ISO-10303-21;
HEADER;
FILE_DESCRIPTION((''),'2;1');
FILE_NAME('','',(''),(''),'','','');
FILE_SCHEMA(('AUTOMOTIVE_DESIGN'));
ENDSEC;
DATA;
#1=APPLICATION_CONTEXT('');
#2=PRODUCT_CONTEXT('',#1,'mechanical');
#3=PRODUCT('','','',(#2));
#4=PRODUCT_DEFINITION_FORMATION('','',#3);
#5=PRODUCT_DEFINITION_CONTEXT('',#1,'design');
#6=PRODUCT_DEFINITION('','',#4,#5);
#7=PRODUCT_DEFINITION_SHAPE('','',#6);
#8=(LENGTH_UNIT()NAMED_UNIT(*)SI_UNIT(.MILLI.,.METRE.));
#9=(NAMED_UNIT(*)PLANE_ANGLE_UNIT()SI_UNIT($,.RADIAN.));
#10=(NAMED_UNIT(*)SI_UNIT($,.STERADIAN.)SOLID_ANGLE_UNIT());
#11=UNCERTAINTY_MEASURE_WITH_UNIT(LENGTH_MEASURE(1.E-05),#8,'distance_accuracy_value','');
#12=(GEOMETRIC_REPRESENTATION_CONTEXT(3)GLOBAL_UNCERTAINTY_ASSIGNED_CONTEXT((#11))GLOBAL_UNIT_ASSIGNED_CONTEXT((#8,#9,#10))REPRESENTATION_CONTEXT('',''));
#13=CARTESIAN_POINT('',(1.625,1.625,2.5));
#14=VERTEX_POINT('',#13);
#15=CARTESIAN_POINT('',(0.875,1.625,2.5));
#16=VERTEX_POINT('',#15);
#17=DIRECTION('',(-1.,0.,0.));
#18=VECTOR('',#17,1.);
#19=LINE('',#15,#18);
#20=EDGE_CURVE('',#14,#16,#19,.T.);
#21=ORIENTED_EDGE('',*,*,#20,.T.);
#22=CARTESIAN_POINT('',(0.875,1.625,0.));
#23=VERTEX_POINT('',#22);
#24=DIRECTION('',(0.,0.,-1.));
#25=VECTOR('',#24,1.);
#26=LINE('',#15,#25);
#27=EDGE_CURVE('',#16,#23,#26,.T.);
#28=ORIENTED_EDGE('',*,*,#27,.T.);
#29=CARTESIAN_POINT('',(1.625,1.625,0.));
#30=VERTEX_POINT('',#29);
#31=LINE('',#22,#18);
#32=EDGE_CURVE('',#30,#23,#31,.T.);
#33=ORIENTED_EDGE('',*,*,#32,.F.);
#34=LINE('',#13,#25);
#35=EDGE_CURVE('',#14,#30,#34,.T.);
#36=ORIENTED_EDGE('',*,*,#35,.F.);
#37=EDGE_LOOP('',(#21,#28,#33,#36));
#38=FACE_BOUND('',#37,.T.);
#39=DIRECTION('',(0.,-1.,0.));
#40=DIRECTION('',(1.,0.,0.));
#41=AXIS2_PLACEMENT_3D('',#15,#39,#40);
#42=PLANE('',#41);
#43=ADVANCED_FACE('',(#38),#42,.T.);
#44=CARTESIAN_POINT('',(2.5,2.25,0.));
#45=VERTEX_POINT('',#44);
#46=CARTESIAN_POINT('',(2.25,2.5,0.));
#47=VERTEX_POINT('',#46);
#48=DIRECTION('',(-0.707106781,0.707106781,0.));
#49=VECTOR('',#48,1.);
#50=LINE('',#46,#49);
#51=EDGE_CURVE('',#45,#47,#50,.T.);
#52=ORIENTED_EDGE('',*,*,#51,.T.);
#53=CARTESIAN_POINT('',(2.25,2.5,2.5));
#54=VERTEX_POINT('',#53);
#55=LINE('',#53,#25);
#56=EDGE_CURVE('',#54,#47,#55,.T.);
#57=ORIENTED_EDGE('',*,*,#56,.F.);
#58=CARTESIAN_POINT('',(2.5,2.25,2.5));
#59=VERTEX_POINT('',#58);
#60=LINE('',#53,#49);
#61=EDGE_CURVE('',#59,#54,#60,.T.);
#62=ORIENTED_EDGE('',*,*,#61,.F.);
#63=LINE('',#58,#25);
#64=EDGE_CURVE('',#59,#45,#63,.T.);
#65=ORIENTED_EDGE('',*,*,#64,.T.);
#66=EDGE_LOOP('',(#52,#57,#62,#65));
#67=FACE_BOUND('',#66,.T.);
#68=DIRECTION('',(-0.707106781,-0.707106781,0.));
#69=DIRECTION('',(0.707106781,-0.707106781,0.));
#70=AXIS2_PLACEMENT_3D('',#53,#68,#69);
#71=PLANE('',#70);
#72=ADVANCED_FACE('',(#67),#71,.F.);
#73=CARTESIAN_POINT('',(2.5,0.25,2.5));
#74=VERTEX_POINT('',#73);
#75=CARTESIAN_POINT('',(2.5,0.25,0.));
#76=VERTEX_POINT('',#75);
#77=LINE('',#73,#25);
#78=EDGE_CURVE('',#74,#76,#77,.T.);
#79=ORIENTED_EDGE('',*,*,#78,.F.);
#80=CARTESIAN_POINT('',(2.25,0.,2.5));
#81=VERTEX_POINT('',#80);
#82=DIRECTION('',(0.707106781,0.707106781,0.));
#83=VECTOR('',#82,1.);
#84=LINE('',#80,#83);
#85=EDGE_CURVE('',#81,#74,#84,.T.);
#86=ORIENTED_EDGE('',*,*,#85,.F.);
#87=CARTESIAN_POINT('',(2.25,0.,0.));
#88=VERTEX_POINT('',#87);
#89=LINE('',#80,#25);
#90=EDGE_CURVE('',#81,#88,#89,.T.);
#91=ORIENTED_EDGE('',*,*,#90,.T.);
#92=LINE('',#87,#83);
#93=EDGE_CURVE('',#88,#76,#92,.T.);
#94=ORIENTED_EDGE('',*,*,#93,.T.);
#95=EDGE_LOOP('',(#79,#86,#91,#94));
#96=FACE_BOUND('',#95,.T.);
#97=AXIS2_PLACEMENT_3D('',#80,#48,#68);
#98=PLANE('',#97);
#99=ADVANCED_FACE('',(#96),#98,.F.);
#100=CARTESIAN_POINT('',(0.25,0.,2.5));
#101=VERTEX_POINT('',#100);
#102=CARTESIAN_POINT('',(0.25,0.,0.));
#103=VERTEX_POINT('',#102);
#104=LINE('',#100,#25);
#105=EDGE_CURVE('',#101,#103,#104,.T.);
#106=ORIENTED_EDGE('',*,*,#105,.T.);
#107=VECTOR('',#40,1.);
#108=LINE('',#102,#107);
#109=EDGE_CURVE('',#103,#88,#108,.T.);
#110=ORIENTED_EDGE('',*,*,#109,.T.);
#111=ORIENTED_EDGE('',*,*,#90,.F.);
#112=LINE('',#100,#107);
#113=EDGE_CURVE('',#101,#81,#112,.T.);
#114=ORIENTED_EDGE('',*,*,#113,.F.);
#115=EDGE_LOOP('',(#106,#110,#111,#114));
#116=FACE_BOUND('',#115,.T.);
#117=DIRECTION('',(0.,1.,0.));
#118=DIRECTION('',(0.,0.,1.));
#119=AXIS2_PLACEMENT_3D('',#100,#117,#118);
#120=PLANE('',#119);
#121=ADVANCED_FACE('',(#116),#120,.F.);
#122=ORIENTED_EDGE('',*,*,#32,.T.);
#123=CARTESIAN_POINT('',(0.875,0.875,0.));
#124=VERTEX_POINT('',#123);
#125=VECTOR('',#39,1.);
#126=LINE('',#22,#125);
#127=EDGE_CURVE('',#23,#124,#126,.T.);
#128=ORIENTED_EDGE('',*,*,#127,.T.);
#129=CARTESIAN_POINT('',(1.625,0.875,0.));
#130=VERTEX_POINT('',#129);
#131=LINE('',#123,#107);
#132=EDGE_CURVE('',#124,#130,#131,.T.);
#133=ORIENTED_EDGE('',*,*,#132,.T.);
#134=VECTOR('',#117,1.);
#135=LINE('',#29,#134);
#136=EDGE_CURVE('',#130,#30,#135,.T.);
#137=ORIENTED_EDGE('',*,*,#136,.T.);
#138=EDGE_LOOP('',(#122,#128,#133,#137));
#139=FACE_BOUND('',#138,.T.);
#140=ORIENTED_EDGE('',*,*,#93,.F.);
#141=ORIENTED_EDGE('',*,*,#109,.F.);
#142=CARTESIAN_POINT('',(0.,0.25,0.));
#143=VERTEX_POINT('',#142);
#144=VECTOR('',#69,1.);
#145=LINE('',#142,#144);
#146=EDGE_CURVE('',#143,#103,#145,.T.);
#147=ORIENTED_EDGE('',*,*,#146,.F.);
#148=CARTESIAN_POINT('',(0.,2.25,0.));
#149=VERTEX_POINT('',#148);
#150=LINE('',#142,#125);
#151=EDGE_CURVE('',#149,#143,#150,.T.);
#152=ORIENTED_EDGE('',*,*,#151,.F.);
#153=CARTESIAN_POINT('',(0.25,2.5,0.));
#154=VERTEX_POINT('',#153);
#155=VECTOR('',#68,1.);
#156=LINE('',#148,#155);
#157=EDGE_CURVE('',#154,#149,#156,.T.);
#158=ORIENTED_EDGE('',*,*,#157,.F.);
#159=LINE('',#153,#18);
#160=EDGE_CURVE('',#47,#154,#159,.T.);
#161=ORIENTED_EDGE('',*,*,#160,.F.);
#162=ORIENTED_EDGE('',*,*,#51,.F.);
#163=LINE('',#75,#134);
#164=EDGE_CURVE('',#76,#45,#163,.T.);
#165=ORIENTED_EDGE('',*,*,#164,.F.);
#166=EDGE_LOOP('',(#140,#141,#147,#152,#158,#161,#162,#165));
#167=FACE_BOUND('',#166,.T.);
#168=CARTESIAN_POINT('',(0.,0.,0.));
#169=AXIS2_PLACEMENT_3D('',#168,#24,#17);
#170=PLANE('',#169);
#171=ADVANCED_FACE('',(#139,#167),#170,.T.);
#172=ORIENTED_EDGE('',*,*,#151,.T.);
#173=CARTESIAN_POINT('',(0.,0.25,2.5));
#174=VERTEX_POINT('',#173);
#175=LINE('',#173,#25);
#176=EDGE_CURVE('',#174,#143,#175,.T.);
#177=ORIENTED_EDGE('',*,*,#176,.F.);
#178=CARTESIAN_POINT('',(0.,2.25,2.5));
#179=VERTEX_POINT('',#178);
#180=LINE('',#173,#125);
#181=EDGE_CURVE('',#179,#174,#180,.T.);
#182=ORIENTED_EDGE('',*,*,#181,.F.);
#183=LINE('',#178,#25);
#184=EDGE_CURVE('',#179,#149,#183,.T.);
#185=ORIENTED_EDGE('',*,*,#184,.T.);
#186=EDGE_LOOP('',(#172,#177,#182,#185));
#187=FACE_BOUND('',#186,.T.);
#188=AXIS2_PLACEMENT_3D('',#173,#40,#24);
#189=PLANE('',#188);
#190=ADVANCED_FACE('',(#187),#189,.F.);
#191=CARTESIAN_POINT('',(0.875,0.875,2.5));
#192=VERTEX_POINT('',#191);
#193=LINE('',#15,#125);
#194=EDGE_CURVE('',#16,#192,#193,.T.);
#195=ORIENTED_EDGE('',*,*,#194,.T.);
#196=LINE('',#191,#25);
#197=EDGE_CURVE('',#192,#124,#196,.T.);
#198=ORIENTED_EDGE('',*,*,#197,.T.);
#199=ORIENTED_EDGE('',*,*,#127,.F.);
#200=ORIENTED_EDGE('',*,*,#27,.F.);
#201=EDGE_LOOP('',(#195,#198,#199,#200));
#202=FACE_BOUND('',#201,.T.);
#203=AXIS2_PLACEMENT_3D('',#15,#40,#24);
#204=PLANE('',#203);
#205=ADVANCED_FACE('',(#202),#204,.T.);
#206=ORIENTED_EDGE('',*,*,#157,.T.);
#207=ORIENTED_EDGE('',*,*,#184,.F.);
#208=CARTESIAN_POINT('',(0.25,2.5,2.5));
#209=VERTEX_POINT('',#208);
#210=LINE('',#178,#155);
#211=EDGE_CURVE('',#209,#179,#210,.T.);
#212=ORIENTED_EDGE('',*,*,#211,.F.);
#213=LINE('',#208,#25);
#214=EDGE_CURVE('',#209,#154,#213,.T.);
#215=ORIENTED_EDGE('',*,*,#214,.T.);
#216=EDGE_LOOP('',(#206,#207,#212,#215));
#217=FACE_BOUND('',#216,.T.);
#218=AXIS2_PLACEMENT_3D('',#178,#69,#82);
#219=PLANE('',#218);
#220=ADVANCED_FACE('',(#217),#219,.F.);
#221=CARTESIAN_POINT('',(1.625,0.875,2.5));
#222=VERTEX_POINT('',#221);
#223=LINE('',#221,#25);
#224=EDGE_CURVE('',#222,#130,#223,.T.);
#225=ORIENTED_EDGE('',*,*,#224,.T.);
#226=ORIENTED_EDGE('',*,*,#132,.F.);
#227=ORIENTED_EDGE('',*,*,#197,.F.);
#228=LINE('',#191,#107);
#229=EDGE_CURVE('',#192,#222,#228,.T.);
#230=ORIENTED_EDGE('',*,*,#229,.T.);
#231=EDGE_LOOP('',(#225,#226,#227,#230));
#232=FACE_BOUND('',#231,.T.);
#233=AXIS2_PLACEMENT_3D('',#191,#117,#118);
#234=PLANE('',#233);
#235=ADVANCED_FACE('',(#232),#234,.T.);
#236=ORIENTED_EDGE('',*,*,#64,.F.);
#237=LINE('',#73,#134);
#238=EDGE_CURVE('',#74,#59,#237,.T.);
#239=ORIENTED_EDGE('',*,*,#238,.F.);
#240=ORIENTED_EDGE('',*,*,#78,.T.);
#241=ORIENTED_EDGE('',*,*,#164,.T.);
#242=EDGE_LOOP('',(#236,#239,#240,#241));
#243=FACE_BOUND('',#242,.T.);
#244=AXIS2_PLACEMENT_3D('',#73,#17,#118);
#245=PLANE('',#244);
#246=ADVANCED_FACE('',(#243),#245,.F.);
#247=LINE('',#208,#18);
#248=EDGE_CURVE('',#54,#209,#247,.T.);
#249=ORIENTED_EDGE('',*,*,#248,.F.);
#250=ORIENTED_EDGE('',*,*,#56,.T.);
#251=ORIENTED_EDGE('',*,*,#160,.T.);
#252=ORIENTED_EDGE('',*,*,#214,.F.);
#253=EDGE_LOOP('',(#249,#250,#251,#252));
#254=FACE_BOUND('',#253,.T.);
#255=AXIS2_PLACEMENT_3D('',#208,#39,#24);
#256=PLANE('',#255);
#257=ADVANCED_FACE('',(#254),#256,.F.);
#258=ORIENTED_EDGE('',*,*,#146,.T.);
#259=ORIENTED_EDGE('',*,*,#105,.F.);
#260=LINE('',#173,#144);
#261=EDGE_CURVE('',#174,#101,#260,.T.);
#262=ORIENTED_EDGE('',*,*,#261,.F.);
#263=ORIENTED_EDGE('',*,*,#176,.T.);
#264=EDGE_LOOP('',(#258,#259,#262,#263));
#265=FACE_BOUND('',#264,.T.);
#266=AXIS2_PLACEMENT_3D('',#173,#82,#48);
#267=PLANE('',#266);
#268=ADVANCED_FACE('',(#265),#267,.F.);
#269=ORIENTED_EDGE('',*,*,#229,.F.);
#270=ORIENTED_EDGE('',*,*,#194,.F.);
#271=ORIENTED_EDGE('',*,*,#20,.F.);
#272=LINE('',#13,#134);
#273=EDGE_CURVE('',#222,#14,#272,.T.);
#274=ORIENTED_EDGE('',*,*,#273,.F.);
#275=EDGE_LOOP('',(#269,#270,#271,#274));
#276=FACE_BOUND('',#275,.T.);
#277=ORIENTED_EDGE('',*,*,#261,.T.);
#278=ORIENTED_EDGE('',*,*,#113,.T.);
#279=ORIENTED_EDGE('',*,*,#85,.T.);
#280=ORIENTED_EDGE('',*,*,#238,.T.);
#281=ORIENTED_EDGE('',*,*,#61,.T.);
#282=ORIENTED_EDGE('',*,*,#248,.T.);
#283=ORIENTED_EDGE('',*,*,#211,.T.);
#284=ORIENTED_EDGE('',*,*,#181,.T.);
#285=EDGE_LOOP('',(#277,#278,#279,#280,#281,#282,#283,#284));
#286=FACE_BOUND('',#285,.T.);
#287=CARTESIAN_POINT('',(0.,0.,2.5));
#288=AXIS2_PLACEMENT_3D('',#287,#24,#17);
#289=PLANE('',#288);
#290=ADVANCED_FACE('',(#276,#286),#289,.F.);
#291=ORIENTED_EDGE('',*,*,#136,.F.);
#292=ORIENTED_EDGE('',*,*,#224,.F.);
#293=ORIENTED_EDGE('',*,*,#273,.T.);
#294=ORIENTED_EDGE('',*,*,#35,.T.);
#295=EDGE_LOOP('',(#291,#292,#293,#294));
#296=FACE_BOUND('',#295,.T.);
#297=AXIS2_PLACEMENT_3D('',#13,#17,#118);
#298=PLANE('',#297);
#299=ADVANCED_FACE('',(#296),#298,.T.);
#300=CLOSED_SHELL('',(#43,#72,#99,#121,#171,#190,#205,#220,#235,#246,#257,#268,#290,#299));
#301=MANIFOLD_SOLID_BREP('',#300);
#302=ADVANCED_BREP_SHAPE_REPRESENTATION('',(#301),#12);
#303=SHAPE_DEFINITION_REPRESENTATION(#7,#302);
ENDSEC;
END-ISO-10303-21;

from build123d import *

# Parameters (mm, degrees)
SKETCH1_W           = 0.75
SKETCH1_H           = 0.75
BOSS_EXTRUDE1_DEPTH = 2.5


with BuildPart() as part:
    # Sketch1 → Boss-Extrude1 (new body)
    with BuildSketch(Plane.XY):
        Polygon((0, 2.25), (0.25, 2.5), (2.25, 2.5), (2.5, 2.25), (2.5, 0.25), (2.25, 0), (0.25, 0), (0, 0.25), align=None)
        with Locations((1.25, 1.25)):
            Rectangle(SKETCH1_W, SKETCH1_H, mode=Mode.SUBTRACT)
    extrude(amount=BOSS_EXTRUDE1_DEPTH)


solid = part.part
